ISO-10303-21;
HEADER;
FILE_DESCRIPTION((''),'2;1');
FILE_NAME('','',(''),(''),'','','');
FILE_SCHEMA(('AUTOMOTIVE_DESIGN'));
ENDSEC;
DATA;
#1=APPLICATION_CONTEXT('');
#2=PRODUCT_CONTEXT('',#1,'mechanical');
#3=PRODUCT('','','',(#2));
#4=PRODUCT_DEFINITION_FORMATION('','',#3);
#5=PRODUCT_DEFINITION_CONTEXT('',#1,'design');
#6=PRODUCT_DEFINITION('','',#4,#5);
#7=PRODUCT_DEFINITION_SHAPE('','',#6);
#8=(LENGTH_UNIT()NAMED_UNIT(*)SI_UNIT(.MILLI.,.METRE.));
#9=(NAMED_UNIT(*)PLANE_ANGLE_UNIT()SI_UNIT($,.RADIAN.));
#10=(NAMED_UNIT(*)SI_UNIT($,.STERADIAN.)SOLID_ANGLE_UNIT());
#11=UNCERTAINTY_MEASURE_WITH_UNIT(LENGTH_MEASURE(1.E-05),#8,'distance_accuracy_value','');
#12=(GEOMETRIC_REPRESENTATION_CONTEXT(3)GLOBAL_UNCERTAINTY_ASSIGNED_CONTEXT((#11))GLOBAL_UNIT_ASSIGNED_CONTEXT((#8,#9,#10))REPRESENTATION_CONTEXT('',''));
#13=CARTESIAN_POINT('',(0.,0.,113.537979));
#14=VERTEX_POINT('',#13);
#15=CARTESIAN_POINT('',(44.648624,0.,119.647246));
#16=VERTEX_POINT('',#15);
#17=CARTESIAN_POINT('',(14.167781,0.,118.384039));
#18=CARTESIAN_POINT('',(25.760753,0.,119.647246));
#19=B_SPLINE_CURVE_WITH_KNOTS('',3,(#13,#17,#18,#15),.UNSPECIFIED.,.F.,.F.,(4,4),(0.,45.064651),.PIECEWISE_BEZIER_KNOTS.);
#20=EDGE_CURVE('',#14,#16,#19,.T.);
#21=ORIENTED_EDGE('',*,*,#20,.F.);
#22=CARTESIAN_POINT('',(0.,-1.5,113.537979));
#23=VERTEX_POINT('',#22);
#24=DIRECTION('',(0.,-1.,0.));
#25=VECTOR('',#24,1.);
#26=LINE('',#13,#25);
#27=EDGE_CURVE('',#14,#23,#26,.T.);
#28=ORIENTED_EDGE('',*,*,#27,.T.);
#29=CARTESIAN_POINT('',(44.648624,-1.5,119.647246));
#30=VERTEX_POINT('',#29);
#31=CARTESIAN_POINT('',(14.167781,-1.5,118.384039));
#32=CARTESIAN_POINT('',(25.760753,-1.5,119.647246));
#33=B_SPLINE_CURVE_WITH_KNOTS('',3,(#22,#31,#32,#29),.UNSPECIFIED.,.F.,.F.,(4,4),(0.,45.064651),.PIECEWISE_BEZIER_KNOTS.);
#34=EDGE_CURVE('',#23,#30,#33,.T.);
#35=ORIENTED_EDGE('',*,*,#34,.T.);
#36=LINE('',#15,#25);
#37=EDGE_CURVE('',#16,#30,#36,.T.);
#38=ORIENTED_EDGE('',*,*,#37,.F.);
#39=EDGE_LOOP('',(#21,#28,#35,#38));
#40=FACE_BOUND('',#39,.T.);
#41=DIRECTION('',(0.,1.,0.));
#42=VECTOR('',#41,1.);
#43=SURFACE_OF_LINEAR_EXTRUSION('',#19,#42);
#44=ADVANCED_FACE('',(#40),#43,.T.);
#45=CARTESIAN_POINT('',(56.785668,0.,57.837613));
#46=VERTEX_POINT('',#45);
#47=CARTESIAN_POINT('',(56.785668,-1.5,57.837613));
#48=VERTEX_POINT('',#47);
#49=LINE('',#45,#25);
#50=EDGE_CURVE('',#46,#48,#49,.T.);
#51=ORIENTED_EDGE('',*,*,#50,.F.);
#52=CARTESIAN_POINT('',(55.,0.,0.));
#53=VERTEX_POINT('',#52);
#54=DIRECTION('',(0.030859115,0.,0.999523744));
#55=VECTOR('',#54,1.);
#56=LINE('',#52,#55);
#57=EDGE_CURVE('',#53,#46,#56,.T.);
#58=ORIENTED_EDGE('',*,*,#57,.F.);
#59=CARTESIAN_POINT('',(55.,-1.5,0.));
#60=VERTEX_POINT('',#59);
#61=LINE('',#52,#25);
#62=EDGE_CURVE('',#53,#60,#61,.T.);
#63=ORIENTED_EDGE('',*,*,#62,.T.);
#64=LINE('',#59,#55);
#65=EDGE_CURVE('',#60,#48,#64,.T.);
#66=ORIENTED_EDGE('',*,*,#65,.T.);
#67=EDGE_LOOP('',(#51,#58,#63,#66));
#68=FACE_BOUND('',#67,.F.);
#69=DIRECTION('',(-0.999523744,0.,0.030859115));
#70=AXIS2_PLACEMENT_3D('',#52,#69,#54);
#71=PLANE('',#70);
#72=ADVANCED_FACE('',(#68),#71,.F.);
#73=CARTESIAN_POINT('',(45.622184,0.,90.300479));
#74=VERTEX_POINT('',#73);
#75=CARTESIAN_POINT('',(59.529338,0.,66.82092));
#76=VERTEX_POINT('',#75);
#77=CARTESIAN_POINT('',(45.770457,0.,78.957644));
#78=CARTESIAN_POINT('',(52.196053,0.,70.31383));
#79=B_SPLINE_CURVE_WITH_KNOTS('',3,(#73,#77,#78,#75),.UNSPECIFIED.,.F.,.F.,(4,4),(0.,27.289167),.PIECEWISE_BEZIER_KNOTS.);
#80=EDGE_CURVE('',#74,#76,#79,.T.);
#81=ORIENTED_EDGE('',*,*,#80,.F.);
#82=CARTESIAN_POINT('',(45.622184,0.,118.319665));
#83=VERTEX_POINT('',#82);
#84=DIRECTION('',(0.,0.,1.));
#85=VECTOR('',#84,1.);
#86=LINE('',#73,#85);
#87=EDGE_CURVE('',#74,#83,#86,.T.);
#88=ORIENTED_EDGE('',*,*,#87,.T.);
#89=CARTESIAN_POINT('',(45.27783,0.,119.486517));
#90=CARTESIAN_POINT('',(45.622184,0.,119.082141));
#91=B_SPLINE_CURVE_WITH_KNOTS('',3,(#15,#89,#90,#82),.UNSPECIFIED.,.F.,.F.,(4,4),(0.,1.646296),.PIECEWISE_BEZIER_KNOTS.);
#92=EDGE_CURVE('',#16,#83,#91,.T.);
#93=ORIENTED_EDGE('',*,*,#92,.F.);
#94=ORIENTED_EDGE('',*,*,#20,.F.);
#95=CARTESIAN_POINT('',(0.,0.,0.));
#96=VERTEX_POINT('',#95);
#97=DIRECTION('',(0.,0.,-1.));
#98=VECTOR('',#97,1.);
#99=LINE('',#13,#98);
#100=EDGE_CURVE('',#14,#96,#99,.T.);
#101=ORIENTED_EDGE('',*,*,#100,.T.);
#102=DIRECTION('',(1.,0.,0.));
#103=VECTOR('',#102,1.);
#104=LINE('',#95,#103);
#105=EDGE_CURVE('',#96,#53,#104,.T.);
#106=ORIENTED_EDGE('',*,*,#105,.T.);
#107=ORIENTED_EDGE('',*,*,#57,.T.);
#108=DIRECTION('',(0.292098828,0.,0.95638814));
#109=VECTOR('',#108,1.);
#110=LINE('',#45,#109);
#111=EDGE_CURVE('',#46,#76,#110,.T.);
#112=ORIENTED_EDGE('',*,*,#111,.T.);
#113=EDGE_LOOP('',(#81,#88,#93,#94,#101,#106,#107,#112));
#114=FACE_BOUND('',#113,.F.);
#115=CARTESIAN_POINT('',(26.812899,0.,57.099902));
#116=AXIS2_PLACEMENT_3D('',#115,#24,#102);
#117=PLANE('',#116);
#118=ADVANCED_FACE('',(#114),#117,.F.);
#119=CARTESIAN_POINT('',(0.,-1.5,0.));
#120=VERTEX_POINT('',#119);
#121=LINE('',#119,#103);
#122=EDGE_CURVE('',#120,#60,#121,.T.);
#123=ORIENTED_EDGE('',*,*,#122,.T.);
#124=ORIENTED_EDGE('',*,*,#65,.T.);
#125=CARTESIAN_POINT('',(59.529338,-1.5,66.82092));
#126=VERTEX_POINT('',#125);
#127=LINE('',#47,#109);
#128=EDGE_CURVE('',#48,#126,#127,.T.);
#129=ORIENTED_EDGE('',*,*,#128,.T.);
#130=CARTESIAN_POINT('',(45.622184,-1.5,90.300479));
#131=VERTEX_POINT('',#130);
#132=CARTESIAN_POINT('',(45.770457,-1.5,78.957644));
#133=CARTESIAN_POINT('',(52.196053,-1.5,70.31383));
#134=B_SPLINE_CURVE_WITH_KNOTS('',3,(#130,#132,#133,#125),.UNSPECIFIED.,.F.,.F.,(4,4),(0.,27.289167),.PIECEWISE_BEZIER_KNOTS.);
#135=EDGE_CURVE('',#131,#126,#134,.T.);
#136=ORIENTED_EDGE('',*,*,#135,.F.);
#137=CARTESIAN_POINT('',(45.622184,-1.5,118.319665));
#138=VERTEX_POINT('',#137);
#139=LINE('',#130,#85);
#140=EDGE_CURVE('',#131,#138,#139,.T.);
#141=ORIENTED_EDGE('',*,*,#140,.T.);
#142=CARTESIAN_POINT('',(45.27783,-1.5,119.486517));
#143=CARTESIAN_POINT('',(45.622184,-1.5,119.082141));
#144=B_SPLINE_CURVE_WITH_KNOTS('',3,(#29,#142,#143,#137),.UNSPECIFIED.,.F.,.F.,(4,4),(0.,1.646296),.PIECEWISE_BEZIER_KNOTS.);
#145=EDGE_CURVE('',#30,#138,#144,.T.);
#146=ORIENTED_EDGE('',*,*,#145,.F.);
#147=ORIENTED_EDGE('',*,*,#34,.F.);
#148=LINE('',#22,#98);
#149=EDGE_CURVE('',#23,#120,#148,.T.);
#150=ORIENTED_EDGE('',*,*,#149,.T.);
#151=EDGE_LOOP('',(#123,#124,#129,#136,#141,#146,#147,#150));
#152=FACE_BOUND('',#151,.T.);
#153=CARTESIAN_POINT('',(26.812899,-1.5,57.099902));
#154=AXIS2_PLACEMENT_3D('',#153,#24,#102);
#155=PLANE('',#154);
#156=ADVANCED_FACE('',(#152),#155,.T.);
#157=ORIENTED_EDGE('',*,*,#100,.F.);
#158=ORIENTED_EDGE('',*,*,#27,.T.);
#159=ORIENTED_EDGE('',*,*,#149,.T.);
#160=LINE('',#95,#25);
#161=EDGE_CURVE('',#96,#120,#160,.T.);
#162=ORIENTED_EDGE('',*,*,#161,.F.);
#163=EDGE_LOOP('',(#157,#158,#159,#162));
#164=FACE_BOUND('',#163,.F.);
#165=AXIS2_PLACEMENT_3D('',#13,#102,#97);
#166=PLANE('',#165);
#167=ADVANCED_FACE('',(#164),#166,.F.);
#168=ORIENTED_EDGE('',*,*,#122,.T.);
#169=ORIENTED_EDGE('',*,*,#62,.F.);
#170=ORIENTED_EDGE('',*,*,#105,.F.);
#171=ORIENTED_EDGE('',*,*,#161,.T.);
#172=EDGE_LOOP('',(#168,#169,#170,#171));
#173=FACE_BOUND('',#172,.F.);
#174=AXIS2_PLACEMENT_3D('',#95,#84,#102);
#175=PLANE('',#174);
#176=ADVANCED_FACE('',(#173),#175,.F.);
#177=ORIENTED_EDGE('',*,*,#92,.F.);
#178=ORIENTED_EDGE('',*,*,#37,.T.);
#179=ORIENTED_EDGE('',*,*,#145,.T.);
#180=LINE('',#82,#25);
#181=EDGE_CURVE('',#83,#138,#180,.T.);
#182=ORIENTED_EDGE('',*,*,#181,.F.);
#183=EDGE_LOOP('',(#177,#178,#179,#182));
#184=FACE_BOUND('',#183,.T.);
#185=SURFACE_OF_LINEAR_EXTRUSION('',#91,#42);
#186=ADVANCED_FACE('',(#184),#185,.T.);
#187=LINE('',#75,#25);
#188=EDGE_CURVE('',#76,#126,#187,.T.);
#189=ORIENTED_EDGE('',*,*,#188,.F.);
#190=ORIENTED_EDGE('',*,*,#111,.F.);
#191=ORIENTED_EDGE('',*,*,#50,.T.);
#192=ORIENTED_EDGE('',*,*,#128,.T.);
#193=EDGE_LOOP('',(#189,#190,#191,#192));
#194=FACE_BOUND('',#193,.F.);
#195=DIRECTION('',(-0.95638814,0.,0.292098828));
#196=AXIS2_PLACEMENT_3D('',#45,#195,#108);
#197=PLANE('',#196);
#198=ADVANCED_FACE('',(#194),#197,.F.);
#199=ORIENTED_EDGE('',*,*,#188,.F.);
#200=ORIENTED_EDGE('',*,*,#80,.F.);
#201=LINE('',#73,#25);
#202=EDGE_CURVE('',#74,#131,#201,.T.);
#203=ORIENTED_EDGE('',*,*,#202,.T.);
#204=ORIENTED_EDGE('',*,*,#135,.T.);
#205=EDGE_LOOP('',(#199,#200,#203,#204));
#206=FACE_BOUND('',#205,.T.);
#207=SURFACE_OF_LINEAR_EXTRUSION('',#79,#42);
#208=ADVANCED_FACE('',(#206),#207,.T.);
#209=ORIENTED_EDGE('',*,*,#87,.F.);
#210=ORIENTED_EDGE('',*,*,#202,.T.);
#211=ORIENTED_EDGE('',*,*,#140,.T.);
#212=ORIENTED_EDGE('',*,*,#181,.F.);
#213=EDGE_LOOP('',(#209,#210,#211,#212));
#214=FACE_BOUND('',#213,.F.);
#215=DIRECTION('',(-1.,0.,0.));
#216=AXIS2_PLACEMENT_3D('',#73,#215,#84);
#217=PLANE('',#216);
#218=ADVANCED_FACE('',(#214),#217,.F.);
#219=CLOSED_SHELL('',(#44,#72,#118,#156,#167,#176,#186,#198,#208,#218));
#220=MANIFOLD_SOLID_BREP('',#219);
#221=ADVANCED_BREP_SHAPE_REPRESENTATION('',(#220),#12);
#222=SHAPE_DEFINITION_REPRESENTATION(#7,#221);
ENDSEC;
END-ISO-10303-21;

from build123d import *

# Parameters (mm, degrees)
F1_DEPTH = 1.5


with BuildPart() as f1:
    # F0 (on Front) → F1 (new body)
    with BuildSketch(Plane.XZ):
        with BuildLine():
            Line((0, 113.537979), (0, 0))
            Line((0, 0), (55, 0))
            Line((55, 0), (56.785668, 57.837613))
            Line((56.785668, 57.837613), (59.529338, 66.82092))
            add(Edge.make_bspline(
                [(45.622184, 90.300479), (45.770457, 78.957644), (52.196053, 70.31383), (59.529338, 66.82092)],
                knots=[0, 0, 0, 0, 27.289167, 27.289167, 27.289167, 27.289167], degree=3))
            Line((45.622184, 90.300479), (45.622184, 118.319665))
            add(Edge.make_bspline(
                [(44.648624, 119.647246), (45.27783, 119.486517), (45.622184, 119.082141), (45.622184, 118.319665)],
                knots=[0, 0, 0, 0, 1.646296, 1.646296, 1.646296, 1.646296], degree=3))
            add(Edge.make_bspline(
                [(0, 113.537979), (14.167781, 118.384039), (25.760753, 119.647246), (44.648624, 119.647246)],
                knots=[0, 0, 0, 0, 45.064651, 45.064651, 45.064651, 45.064651], degree=3))
        make_face()
    extrude(amount=F1_DEPTH)


solid = f1.part
